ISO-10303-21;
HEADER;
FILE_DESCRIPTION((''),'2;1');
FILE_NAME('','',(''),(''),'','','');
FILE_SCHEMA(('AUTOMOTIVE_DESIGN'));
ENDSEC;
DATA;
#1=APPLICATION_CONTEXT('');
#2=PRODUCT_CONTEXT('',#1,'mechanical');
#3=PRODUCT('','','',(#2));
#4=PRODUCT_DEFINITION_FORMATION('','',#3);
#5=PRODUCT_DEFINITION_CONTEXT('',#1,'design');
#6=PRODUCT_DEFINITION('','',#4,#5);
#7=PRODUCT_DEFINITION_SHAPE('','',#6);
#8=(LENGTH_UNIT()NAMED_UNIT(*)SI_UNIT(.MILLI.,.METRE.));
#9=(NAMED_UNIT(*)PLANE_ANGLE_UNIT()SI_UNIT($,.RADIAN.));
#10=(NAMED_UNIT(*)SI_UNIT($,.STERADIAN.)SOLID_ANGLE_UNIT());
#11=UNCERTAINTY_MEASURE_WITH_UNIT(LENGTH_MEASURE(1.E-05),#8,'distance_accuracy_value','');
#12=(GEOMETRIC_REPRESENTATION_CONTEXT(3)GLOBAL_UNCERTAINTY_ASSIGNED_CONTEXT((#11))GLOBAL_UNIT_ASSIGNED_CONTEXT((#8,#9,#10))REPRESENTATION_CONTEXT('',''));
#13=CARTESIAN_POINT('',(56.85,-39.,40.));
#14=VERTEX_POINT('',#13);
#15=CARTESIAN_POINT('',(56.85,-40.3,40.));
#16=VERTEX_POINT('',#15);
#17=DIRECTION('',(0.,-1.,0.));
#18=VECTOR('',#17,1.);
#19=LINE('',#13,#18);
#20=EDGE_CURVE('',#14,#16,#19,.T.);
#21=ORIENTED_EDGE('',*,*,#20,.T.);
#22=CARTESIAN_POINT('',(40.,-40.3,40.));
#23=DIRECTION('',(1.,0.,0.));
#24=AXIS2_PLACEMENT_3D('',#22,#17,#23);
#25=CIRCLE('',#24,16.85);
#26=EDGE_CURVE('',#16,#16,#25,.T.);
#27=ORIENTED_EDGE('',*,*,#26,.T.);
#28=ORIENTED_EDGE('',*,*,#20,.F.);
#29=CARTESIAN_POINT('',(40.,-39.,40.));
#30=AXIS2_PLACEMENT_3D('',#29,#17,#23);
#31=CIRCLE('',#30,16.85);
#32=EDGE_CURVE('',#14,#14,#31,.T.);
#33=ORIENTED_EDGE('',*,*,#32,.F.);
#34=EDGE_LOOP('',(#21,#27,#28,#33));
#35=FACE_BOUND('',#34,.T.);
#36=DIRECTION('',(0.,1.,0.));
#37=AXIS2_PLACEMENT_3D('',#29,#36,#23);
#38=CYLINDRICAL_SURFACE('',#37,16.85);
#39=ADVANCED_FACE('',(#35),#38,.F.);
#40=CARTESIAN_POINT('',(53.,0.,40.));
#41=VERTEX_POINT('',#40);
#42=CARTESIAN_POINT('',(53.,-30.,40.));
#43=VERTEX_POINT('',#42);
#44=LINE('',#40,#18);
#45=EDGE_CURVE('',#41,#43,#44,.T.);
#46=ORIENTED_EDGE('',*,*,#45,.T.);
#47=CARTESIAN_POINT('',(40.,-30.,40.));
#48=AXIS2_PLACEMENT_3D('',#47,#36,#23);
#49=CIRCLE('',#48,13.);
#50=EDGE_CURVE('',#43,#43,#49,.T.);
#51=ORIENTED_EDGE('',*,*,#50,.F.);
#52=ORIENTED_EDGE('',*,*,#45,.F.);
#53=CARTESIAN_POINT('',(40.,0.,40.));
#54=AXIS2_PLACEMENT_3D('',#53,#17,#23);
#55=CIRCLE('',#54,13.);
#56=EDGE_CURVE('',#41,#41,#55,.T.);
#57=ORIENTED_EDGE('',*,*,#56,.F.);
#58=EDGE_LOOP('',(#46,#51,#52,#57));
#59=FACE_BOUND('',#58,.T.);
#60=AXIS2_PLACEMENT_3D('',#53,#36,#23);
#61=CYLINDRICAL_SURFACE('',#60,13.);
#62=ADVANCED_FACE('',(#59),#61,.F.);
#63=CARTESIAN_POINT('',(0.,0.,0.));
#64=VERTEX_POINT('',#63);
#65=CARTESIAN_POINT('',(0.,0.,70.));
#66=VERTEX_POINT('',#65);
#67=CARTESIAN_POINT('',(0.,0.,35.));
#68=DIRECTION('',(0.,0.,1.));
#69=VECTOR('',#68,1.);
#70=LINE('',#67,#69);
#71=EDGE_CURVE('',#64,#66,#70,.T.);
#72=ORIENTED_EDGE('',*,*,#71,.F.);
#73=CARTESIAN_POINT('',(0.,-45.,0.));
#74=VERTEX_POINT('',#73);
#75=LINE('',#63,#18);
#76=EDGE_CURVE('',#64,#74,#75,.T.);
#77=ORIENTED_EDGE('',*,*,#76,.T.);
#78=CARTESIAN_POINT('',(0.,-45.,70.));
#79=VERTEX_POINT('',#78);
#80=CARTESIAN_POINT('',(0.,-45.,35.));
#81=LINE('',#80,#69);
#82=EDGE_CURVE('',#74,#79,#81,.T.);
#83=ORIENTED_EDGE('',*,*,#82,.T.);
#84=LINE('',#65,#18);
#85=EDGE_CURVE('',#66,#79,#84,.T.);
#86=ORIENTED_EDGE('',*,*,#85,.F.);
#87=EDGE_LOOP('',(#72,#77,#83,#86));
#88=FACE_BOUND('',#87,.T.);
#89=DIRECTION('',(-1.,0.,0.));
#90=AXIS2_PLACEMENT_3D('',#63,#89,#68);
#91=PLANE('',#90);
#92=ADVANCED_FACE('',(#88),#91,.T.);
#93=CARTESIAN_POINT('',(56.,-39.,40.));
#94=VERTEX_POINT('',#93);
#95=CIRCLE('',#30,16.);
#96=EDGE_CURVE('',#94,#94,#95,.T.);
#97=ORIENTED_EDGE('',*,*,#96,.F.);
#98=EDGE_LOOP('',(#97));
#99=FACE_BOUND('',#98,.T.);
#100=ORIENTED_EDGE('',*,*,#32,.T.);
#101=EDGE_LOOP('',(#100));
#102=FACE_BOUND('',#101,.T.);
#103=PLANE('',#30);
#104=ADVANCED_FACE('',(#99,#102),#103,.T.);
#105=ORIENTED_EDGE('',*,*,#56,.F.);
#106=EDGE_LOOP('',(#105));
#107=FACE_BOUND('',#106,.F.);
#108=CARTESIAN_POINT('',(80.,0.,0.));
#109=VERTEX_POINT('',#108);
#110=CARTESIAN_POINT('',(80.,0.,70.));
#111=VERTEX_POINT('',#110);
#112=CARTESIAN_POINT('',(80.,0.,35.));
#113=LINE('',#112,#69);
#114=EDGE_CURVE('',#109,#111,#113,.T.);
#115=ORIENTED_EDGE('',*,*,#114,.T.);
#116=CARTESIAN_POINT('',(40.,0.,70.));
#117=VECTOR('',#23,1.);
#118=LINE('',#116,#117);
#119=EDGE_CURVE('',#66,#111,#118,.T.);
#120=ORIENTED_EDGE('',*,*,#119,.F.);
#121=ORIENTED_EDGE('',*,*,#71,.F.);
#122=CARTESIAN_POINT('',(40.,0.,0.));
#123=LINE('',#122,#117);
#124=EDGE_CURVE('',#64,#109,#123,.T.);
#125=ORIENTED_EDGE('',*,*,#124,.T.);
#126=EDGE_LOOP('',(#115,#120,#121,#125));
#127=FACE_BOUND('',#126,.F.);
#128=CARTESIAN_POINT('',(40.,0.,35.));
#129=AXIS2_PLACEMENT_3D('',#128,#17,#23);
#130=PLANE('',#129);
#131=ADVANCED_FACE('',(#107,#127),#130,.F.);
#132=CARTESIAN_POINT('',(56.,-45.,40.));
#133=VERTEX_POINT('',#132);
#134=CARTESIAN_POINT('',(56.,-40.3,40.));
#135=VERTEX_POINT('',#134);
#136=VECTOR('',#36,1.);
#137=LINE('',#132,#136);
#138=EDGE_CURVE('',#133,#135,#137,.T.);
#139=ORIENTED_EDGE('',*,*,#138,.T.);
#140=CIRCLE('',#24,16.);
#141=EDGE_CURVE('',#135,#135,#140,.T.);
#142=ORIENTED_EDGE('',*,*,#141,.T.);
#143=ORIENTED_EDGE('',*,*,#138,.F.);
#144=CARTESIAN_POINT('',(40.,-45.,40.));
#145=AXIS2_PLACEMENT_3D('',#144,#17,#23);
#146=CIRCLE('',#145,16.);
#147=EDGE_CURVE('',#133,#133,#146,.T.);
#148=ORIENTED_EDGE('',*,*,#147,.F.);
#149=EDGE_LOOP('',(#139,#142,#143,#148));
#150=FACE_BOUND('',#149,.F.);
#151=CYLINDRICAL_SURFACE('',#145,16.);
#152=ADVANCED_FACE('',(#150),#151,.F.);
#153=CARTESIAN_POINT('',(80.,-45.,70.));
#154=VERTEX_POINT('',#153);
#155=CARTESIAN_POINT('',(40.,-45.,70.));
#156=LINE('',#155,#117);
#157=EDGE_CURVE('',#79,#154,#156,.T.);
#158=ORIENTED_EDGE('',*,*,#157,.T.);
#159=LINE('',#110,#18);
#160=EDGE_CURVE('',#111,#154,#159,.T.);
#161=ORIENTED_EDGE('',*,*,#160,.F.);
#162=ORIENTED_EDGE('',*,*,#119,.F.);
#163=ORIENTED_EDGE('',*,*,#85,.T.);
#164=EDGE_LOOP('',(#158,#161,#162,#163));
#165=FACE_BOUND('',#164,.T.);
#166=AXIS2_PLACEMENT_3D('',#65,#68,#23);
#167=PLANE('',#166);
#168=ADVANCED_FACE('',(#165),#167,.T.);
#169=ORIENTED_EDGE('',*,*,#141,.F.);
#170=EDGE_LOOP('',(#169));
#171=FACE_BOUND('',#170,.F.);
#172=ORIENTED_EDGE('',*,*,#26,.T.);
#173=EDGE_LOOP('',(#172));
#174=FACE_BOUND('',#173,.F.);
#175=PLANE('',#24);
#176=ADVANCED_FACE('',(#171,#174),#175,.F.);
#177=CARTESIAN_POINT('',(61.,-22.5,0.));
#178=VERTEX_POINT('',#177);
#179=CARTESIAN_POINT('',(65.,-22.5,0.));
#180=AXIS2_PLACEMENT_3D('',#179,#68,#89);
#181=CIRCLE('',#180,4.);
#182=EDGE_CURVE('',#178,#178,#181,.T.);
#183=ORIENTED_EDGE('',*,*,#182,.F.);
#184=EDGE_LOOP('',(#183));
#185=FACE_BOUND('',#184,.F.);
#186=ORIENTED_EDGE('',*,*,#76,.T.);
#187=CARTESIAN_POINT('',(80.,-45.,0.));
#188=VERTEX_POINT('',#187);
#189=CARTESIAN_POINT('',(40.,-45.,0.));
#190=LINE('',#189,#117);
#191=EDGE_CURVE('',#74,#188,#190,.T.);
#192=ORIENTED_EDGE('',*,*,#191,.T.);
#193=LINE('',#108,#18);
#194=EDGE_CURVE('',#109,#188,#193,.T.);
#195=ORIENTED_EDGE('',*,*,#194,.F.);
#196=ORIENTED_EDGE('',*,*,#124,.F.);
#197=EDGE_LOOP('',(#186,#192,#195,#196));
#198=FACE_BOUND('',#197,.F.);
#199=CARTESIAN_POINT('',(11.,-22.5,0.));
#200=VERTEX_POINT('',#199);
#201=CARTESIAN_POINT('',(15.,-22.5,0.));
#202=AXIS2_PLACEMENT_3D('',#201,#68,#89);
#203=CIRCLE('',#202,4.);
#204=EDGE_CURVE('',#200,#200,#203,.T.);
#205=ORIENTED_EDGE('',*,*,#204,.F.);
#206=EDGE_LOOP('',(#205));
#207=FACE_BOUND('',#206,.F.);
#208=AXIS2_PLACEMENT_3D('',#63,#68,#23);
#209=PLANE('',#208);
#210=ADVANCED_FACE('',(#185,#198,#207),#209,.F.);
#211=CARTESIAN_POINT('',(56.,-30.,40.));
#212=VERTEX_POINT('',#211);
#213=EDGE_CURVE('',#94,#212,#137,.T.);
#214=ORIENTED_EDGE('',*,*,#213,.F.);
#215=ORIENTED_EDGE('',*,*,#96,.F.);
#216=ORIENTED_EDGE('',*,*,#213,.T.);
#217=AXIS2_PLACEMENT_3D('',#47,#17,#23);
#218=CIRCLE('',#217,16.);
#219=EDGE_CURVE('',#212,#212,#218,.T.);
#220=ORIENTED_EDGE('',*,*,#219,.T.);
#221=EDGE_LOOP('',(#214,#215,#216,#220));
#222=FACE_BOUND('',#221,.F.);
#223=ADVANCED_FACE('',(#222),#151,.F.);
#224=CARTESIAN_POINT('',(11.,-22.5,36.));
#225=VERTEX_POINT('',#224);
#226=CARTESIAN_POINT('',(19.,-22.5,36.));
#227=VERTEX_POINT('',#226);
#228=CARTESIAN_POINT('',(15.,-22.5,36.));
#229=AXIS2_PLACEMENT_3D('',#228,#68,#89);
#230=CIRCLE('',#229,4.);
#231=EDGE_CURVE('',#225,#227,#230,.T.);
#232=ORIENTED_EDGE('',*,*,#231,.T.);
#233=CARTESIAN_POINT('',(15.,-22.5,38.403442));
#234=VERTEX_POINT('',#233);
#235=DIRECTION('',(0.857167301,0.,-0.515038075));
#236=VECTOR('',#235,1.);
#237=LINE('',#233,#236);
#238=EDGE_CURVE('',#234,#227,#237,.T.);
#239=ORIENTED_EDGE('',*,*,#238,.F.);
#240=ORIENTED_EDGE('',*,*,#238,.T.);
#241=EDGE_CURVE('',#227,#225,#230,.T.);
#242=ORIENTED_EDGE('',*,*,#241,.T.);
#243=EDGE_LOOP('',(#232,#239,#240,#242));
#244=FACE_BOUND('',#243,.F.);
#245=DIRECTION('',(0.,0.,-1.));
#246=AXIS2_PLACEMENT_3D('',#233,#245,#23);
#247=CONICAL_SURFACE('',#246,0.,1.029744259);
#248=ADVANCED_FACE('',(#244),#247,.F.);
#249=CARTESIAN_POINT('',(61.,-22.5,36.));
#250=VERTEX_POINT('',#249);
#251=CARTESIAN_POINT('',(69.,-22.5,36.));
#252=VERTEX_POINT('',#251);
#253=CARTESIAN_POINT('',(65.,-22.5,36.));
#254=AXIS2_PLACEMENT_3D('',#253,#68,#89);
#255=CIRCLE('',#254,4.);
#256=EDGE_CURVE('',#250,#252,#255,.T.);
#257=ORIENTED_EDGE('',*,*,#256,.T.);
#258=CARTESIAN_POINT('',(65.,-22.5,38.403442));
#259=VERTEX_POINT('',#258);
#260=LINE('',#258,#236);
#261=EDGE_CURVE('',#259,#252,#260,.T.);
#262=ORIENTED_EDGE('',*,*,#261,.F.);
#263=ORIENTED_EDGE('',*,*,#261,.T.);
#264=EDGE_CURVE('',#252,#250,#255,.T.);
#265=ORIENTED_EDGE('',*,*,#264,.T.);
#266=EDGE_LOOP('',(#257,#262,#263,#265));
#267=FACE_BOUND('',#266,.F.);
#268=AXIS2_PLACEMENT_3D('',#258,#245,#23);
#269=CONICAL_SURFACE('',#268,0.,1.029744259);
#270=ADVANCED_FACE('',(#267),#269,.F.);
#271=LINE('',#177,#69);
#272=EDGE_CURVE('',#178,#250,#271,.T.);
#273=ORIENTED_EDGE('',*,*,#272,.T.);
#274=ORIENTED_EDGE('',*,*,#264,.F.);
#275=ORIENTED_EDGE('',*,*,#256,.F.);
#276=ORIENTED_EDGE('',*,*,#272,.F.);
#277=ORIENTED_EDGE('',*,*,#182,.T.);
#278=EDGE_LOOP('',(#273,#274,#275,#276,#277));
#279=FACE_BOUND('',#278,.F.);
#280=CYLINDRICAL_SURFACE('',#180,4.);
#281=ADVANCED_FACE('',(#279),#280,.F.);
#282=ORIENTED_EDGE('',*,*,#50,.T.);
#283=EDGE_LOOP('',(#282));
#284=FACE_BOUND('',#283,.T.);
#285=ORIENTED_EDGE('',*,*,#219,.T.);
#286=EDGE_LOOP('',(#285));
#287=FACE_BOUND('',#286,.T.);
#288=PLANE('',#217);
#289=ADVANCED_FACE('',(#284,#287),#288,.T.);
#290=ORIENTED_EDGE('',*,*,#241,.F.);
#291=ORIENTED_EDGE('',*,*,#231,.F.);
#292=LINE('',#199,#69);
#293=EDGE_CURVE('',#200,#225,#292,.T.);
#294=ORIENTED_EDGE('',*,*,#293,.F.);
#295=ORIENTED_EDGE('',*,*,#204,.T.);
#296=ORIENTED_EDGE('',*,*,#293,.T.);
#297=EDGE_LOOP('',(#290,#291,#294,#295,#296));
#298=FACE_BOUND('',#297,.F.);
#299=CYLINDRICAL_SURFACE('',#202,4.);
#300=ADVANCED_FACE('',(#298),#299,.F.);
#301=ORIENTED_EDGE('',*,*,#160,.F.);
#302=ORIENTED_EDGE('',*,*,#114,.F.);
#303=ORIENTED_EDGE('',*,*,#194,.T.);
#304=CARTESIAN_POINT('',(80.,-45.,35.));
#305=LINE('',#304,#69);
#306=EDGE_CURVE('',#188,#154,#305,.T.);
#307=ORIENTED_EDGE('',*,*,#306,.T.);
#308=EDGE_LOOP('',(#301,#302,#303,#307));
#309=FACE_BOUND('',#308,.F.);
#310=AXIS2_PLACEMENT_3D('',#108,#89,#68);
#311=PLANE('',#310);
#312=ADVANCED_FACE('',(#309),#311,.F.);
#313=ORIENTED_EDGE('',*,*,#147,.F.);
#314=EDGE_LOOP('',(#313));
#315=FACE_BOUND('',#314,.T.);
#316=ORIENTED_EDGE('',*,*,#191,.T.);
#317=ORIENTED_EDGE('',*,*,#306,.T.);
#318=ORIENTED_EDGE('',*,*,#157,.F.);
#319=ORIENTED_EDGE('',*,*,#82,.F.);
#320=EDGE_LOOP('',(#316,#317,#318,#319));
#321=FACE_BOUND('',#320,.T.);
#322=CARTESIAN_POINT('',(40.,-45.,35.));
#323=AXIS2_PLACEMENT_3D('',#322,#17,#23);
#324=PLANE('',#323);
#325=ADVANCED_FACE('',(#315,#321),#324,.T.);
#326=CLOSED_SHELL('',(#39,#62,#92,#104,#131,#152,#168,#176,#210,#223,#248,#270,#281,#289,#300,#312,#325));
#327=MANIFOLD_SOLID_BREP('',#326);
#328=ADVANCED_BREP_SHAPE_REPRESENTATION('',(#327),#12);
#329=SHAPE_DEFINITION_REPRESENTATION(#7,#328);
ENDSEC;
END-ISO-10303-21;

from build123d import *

# Parameters (mm, degrees)
F0_W           = 80
F0_H           = 70
F0_R           = 13
F1_DEPTH       = 45
F2_R           = 16
F3_DEPTH       = 15
F5_R           = 16.85
F6_DEPTH       = 1.3
F8_D           = 8
F8_DEPTH       = 36
F8_CBORE_D     = 8
F8_CBORE_DEPTH = 0
F8_TIP         = 2.4034424761


with BuildPart() as f1:
    # F0 (on Front) → F1 (new body)
    with BuildSketch(Plane.XZ):
        with Locations((40, 35)):
            Rectangle(F0_W, F0_H)
        with Locations((40, 40)):
            Circle(F0_R, mode=Mode.SUBTRACT)
    extrude(amount=F1_DEPTH)

    # F2 (on face) → F3 (cut)
    with BuildSketch(Plane.XZ.offset(45)):
        with Locations((40, 40)):
            Circle(F2_R)
    extrude(amount=-F3_DEPTH, mode=Mode.SUBTRACT)

    # F5 (on offset) → F6 (cut)
    with BuildSketch(Plane.XZ.offset(39)):
        with Locations((40, 40)):
            Circle(F5_R)
    extrude(amount=F6_DEPTH, mode=Mode.SUBTRACT)

    # F8
    with Locations(Plane(origin=(0, 0, 0), x_dir=(1, 0, 0), z_dir=(0, 0, -1))):
        with Locations((15, 22.5), (65, 22.5)):
            CounterBoreHole(F8_D / 2, F8_CBORE_D / 2, F8_CBORE_DEPTH, depth=F8_DEPTH)
            with Locations((0, 0, -(F8_DEPTH + F8_TIP / 2))):  # 118° drill point
                Cone(0, F8_D / 2, F8_TIP, mode=Mode.SUBTRACT)


solid = f1.part
